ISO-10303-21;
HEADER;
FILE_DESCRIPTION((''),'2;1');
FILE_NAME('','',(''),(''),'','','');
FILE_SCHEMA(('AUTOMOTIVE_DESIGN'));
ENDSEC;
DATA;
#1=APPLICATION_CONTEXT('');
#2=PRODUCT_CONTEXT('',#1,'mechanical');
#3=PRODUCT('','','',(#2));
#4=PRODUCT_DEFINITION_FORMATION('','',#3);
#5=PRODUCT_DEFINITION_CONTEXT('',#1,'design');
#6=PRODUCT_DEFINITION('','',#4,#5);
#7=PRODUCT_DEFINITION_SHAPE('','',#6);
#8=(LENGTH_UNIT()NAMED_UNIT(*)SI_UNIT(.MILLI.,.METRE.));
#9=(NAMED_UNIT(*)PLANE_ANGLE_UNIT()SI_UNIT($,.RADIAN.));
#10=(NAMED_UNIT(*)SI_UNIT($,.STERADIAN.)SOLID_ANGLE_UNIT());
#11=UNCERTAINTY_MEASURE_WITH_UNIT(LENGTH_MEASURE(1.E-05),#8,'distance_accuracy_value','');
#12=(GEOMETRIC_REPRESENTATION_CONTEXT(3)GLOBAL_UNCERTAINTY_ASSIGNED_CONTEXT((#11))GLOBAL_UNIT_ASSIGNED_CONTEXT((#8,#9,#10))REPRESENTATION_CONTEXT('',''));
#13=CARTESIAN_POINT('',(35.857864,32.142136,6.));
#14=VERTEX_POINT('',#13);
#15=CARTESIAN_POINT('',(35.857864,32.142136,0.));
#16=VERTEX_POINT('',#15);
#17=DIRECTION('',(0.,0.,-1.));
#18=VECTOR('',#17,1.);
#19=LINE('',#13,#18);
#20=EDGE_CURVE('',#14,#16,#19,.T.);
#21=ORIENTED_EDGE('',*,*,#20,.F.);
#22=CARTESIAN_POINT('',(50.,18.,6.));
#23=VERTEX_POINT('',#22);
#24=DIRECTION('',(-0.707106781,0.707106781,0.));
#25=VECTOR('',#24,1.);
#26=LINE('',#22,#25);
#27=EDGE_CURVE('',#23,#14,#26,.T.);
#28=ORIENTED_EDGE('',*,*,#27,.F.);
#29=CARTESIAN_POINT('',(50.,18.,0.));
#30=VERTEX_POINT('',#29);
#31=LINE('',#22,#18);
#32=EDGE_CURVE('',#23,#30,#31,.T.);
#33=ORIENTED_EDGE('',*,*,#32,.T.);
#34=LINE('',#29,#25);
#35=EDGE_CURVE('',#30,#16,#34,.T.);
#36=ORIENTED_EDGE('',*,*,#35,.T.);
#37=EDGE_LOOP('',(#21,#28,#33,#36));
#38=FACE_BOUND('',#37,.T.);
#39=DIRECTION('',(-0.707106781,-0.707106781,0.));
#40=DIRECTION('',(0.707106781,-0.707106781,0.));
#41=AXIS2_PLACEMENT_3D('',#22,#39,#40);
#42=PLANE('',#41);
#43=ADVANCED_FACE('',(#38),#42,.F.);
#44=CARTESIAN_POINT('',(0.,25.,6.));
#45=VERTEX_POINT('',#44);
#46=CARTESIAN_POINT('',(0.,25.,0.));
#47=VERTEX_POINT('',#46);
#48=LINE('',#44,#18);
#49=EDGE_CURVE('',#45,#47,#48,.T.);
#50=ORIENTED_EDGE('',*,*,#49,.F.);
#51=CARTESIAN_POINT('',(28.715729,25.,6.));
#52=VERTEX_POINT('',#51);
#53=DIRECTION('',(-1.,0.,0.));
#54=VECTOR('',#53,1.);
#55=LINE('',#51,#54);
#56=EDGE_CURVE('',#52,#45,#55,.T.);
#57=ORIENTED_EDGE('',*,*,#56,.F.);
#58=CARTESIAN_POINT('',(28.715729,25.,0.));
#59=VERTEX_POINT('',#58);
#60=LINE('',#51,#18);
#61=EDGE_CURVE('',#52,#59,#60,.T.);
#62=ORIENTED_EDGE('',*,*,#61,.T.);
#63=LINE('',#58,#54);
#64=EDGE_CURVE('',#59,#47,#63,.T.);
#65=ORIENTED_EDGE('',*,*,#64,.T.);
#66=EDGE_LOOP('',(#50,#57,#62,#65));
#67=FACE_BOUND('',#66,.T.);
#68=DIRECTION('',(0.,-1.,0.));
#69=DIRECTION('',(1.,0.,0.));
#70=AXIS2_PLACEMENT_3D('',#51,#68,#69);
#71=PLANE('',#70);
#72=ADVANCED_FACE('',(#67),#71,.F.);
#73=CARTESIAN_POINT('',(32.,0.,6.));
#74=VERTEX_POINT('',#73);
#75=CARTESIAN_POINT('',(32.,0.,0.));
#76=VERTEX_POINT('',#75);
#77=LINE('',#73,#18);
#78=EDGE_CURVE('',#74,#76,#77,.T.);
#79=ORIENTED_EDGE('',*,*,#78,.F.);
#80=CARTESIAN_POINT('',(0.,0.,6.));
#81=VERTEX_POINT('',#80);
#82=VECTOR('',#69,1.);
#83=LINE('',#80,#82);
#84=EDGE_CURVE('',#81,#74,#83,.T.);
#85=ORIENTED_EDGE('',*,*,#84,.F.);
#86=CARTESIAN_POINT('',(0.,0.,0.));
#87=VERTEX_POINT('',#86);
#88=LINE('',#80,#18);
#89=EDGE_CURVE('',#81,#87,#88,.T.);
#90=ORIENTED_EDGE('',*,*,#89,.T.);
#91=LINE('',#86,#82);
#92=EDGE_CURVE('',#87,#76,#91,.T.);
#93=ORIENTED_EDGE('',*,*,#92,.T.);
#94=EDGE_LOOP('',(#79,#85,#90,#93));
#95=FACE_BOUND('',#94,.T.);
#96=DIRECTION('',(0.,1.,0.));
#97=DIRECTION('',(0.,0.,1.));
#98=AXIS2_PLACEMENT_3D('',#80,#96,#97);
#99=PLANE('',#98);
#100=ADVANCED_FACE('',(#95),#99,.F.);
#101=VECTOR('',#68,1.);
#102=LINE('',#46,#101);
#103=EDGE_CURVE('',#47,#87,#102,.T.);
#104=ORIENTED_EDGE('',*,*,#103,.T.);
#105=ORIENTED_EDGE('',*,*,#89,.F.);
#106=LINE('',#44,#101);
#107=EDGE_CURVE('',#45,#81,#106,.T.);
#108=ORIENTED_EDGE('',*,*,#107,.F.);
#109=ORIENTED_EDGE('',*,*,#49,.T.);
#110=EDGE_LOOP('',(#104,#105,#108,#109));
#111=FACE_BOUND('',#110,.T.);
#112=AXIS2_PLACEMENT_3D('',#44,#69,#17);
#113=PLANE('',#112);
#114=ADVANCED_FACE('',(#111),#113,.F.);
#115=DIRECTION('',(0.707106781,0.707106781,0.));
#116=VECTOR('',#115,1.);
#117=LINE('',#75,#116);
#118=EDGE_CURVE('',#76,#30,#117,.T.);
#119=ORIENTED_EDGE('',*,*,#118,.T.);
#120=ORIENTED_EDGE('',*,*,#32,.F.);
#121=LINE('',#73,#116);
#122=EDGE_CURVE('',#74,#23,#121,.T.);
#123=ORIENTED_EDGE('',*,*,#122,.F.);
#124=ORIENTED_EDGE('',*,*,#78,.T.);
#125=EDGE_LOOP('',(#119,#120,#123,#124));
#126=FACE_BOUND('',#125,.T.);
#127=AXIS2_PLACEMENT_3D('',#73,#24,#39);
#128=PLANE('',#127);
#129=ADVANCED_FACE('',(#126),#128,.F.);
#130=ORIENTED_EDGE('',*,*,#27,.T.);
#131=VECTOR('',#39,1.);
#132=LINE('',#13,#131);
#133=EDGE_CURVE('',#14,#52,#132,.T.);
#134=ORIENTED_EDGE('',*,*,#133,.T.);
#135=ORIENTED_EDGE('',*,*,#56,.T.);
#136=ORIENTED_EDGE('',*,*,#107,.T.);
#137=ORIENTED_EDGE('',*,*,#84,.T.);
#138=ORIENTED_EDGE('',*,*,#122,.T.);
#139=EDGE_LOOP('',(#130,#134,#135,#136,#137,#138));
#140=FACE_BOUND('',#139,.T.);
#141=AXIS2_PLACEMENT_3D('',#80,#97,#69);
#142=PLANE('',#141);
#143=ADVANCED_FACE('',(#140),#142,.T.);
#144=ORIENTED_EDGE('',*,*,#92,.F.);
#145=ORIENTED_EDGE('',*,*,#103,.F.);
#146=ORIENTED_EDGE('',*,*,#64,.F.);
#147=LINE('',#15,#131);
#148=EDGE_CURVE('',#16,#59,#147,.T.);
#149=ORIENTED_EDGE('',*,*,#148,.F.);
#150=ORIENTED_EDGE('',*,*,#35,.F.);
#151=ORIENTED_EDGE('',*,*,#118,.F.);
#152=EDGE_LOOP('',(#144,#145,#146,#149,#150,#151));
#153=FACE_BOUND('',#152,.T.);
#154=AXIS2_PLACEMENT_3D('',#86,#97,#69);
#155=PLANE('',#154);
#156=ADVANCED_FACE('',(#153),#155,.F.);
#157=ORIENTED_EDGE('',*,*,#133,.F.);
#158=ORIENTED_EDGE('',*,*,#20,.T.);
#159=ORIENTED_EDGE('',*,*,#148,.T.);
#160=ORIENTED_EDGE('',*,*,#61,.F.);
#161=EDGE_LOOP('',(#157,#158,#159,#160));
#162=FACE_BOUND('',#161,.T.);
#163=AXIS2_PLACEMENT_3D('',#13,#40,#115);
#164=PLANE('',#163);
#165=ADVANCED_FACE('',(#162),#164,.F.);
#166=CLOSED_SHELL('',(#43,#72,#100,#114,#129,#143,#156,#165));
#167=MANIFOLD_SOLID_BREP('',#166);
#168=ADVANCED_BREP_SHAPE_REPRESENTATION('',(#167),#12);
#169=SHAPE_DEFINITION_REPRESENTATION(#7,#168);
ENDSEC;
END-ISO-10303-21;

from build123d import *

# Parameters (mm, degrees)
EXTRUDE_1_DEPTH = 6


with BuildPart() as part:
    # 草圖1 → 填料-伸長1 (new body)
    with BuildSketch(Plane.XY):
        Polygon((0, 0), (32, 0), (50, 18), (35.857864376, 32.142135624), (28.715728753, 25), (0, 25), align=None)
    extrude(amount=EXTRUDE_1_DEPTH)


solid = part.part
